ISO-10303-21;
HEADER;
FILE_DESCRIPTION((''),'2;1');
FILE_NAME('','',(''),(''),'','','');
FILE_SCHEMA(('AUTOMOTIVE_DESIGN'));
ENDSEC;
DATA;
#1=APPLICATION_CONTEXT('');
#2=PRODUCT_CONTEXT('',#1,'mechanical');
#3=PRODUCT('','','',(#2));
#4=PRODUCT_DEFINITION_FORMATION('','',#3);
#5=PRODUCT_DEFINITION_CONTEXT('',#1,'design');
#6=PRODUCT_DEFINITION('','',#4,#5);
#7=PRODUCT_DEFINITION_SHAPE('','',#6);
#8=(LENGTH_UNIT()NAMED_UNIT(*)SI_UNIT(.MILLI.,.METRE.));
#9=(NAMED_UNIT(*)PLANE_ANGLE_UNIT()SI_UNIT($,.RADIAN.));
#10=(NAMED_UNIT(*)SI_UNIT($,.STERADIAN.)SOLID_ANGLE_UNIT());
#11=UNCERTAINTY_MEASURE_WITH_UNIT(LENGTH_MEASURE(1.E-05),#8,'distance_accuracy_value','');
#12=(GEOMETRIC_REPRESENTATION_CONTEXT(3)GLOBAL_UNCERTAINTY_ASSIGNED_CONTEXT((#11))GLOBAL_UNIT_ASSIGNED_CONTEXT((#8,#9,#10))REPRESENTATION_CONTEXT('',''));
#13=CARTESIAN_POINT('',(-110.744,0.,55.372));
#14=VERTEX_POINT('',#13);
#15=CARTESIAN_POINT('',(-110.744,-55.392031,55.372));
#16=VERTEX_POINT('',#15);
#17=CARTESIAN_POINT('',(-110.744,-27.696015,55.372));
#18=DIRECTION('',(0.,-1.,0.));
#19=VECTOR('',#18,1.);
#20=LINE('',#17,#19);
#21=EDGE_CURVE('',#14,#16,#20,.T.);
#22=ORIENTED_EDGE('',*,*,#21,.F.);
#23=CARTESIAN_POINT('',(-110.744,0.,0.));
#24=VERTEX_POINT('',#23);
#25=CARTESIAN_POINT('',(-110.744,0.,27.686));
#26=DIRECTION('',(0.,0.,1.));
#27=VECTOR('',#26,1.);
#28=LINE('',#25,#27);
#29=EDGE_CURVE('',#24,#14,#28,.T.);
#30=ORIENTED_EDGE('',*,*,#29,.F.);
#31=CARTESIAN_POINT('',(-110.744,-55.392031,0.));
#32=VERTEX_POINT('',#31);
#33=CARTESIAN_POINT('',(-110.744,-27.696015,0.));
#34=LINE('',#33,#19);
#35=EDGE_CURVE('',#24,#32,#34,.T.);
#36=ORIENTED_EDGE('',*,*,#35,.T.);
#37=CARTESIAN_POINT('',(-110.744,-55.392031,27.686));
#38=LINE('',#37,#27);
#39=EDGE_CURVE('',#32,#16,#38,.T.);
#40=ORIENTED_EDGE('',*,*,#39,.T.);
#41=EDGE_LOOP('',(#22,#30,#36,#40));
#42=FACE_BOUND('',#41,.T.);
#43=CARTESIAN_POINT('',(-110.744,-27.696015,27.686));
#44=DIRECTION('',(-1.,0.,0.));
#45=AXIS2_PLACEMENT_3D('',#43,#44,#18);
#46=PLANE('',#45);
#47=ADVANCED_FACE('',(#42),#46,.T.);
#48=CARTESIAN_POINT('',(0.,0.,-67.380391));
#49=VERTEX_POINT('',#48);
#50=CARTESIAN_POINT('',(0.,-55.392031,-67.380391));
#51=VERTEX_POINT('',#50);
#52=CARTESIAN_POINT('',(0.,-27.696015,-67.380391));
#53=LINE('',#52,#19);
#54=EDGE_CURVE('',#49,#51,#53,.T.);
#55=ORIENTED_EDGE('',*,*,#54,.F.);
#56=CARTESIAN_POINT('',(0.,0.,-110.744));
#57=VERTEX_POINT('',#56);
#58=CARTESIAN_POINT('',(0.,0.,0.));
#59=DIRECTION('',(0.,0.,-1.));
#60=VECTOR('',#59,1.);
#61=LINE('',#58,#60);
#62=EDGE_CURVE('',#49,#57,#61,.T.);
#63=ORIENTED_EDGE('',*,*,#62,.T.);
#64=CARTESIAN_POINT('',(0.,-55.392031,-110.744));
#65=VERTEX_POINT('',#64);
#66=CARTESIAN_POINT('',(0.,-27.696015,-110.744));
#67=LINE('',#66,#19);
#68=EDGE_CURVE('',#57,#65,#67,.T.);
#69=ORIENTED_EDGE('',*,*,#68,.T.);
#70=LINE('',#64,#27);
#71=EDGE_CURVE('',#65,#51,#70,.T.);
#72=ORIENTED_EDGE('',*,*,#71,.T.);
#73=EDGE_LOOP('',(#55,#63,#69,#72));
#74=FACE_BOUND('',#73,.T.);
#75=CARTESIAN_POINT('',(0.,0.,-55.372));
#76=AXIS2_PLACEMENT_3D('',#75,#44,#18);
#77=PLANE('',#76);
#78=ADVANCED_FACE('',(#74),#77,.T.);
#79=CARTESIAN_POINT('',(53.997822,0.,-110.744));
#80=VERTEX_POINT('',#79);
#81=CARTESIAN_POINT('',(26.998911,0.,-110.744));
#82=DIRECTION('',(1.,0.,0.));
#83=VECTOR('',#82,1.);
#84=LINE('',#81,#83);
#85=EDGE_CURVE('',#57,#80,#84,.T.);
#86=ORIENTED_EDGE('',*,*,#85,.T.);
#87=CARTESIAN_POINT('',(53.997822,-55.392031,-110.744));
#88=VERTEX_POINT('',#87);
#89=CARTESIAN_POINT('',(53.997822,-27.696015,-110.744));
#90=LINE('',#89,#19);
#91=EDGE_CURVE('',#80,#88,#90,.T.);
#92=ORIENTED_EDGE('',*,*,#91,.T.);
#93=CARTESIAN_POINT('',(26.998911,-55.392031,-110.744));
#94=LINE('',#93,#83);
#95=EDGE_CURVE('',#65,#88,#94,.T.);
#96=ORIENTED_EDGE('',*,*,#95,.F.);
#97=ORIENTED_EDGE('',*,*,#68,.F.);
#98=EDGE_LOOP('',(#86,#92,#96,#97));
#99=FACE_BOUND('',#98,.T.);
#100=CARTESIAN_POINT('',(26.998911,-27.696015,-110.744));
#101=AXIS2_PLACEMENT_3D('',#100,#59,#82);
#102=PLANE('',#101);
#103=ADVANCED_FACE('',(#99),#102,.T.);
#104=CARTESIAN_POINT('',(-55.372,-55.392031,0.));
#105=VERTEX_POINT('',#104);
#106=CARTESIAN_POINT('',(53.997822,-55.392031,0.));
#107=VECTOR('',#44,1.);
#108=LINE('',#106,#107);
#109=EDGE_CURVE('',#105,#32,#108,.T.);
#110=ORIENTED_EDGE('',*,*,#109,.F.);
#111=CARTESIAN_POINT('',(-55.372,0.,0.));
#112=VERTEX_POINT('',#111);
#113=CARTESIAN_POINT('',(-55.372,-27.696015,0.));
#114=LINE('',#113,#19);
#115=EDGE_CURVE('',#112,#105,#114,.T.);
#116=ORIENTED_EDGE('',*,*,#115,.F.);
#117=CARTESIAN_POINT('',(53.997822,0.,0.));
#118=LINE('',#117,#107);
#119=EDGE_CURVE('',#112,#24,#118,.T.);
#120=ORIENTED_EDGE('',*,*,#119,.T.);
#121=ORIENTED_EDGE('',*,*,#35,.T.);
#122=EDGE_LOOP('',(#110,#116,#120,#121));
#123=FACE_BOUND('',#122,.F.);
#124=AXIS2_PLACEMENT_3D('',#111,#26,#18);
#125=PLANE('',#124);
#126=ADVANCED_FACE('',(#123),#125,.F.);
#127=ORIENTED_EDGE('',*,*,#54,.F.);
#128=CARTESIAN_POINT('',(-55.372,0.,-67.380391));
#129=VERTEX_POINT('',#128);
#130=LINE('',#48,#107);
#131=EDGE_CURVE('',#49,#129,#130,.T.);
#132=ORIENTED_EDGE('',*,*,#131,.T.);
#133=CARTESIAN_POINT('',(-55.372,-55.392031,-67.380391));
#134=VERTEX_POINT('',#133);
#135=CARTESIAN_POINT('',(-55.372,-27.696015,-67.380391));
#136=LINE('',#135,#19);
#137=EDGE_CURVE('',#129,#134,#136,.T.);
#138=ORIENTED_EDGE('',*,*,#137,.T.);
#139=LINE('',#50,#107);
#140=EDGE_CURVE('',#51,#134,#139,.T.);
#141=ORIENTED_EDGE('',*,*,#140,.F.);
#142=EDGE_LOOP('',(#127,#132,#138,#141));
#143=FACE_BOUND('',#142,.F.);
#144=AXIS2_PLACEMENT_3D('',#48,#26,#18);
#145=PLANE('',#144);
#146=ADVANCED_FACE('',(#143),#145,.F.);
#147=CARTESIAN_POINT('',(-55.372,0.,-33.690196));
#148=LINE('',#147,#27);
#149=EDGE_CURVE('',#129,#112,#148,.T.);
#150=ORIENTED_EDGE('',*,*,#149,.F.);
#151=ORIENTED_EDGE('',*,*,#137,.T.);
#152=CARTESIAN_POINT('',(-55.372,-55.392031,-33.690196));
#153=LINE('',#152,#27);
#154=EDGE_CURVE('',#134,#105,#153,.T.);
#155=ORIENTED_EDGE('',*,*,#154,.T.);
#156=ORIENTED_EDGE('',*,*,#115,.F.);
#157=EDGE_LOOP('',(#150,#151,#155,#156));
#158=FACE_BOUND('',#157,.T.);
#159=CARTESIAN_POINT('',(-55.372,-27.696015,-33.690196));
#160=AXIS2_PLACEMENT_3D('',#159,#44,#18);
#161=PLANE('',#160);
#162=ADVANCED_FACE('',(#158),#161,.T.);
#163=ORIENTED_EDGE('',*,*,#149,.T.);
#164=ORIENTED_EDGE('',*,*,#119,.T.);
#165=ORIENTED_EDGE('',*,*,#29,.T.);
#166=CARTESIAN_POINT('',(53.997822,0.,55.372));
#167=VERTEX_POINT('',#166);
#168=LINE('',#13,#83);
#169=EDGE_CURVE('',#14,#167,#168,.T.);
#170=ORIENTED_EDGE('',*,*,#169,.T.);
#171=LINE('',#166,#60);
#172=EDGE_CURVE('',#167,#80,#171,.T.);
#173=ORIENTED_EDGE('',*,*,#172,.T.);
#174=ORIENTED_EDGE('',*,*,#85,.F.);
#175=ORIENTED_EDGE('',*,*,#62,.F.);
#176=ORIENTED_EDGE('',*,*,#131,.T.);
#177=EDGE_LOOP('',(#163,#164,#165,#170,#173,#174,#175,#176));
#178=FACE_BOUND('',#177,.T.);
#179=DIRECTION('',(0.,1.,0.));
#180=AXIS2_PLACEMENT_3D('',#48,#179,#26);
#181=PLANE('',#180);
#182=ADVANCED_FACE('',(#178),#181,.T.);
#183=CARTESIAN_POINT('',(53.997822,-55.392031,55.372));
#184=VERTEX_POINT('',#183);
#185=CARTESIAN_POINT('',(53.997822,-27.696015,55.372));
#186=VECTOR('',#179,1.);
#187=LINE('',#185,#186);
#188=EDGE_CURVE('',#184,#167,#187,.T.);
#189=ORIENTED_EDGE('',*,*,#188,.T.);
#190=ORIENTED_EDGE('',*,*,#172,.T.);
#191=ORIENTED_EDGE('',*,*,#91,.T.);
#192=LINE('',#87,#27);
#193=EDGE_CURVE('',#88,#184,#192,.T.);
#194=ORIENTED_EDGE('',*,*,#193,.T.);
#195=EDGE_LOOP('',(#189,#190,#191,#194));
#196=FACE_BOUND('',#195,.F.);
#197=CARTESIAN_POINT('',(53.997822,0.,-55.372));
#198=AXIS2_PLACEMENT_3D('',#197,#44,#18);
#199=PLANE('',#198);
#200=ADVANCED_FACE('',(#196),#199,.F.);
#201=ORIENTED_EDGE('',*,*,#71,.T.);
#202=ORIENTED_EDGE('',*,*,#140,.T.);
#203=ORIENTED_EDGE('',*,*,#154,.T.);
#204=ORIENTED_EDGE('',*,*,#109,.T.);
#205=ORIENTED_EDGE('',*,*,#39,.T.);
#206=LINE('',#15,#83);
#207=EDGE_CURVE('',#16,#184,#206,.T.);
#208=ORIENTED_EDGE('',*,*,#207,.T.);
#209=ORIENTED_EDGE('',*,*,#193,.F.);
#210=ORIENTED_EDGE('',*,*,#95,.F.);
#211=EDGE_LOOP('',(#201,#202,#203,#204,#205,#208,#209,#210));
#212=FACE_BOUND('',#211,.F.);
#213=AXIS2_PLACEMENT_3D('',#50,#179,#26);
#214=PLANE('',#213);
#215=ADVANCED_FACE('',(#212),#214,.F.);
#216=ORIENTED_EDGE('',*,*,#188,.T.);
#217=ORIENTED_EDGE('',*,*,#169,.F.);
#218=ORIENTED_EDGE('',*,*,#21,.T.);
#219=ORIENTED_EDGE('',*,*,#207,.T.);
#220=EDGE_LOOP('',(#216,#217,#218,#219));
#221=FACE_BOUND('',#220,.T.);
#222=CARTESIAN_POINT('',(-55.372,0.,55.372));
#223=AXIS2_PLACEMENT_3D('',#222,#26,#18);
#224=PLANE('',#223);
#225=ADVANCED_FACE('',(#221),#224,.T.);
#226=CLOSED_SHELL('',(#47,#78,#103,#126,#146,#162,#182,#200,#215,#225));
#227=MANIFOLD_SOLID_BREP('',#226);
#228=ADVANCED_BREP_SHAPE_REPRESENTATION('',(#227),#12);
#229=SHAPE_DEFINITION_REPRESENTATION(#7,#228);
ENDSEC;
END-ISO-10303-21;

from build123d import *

# Parameters (mm, degrees)
F0_W      = 53.9978221059
F0_H      = 55.3920306265
F1_DEPTH  = 55.372
F2_W      = 55.3920306265
F2_H      = 55.372
F3_DEPTH  = 55.372
F4_W      = 55.3920306265
F4_H      = 55.372
F5_DEPTH  = 55.372
F6_W      = 53.9978221059
F6_H      = 55.3920306265
F7_DEPTH  = 55.372
F8_W      = 53.9978221059
F8_H      = 55.3920306265
F9_DEPTH  = 55.372
F10_W     = 55.3920306265
F10_H     = 67.3803910613
F11_DEPTH = 55.372


with BuildPart() as f1:
    # F0 (on Top) → F1 (new body)
    with BuildSketch(Plane.XY):
        with Locations((26.9989110529, -27.6960153133)):
            Rectangle(F0_W, F0_H)
    extrude(amount=F1_DEPTH)

    # F2 (on face) → F3 (join)
    with BuildSketch(Plane(origin=(0, 0, 0), x_dir=(0, -1, 0), z_dir=(-1, 0, 0))):
        with Locations((27.6960153133, 27.686)):
            Rectangle(F2_W, F2_H)
    extrude(amount=F3_DEPTH)

    # F4 (on face) → F5 (join)
    with BuildSketch(Plane(origin=(-55.372, 0, 0), x_dir=(0, -1, 0), z_dir=(-1, 0, 0))):
        with Locations((27.6960153133, 27.686)):
            Rectangle(F4_W, F4_H)
    extrude(amount=F5_DEPTH)

    # F6 (on face) → F7 (join)
    with BuildSketch(Plane(origin=(0, 0, 0), x_dir=(1, 0, 0), z_dir=(0, 0, -1))):
        with Locations((26.9989110529, 27.6960153133)):
            Rectangle(F6_W, F6_H)
    extrude(amount=F7_DEPTH)

    # F8 (on face) → F9 (join)
    with BuildSketch(Plane(origin=(0, 0, -55.372), x_dir=(1, 0, 0), z_dir=(0, 0, -1))):
        with Locations((26.9989110529, 27.6960153133)):
            Rectangle(F8_W, F8_H)
    extrude(amount=F9_DEPTH)

    # F10 (on face) → F11 (join)
    with BuildSketch(Plane(origin=(0, 0, 0), x_dir=(0, -1, 0), z_dir=(-1, 0, 0))):
        with Locations((27.6960153133, -33.6901955307)):
            Rectangle(F10_W, F10_H)
    extrude(amount=F11_DEPTH)


solid = f1.part
